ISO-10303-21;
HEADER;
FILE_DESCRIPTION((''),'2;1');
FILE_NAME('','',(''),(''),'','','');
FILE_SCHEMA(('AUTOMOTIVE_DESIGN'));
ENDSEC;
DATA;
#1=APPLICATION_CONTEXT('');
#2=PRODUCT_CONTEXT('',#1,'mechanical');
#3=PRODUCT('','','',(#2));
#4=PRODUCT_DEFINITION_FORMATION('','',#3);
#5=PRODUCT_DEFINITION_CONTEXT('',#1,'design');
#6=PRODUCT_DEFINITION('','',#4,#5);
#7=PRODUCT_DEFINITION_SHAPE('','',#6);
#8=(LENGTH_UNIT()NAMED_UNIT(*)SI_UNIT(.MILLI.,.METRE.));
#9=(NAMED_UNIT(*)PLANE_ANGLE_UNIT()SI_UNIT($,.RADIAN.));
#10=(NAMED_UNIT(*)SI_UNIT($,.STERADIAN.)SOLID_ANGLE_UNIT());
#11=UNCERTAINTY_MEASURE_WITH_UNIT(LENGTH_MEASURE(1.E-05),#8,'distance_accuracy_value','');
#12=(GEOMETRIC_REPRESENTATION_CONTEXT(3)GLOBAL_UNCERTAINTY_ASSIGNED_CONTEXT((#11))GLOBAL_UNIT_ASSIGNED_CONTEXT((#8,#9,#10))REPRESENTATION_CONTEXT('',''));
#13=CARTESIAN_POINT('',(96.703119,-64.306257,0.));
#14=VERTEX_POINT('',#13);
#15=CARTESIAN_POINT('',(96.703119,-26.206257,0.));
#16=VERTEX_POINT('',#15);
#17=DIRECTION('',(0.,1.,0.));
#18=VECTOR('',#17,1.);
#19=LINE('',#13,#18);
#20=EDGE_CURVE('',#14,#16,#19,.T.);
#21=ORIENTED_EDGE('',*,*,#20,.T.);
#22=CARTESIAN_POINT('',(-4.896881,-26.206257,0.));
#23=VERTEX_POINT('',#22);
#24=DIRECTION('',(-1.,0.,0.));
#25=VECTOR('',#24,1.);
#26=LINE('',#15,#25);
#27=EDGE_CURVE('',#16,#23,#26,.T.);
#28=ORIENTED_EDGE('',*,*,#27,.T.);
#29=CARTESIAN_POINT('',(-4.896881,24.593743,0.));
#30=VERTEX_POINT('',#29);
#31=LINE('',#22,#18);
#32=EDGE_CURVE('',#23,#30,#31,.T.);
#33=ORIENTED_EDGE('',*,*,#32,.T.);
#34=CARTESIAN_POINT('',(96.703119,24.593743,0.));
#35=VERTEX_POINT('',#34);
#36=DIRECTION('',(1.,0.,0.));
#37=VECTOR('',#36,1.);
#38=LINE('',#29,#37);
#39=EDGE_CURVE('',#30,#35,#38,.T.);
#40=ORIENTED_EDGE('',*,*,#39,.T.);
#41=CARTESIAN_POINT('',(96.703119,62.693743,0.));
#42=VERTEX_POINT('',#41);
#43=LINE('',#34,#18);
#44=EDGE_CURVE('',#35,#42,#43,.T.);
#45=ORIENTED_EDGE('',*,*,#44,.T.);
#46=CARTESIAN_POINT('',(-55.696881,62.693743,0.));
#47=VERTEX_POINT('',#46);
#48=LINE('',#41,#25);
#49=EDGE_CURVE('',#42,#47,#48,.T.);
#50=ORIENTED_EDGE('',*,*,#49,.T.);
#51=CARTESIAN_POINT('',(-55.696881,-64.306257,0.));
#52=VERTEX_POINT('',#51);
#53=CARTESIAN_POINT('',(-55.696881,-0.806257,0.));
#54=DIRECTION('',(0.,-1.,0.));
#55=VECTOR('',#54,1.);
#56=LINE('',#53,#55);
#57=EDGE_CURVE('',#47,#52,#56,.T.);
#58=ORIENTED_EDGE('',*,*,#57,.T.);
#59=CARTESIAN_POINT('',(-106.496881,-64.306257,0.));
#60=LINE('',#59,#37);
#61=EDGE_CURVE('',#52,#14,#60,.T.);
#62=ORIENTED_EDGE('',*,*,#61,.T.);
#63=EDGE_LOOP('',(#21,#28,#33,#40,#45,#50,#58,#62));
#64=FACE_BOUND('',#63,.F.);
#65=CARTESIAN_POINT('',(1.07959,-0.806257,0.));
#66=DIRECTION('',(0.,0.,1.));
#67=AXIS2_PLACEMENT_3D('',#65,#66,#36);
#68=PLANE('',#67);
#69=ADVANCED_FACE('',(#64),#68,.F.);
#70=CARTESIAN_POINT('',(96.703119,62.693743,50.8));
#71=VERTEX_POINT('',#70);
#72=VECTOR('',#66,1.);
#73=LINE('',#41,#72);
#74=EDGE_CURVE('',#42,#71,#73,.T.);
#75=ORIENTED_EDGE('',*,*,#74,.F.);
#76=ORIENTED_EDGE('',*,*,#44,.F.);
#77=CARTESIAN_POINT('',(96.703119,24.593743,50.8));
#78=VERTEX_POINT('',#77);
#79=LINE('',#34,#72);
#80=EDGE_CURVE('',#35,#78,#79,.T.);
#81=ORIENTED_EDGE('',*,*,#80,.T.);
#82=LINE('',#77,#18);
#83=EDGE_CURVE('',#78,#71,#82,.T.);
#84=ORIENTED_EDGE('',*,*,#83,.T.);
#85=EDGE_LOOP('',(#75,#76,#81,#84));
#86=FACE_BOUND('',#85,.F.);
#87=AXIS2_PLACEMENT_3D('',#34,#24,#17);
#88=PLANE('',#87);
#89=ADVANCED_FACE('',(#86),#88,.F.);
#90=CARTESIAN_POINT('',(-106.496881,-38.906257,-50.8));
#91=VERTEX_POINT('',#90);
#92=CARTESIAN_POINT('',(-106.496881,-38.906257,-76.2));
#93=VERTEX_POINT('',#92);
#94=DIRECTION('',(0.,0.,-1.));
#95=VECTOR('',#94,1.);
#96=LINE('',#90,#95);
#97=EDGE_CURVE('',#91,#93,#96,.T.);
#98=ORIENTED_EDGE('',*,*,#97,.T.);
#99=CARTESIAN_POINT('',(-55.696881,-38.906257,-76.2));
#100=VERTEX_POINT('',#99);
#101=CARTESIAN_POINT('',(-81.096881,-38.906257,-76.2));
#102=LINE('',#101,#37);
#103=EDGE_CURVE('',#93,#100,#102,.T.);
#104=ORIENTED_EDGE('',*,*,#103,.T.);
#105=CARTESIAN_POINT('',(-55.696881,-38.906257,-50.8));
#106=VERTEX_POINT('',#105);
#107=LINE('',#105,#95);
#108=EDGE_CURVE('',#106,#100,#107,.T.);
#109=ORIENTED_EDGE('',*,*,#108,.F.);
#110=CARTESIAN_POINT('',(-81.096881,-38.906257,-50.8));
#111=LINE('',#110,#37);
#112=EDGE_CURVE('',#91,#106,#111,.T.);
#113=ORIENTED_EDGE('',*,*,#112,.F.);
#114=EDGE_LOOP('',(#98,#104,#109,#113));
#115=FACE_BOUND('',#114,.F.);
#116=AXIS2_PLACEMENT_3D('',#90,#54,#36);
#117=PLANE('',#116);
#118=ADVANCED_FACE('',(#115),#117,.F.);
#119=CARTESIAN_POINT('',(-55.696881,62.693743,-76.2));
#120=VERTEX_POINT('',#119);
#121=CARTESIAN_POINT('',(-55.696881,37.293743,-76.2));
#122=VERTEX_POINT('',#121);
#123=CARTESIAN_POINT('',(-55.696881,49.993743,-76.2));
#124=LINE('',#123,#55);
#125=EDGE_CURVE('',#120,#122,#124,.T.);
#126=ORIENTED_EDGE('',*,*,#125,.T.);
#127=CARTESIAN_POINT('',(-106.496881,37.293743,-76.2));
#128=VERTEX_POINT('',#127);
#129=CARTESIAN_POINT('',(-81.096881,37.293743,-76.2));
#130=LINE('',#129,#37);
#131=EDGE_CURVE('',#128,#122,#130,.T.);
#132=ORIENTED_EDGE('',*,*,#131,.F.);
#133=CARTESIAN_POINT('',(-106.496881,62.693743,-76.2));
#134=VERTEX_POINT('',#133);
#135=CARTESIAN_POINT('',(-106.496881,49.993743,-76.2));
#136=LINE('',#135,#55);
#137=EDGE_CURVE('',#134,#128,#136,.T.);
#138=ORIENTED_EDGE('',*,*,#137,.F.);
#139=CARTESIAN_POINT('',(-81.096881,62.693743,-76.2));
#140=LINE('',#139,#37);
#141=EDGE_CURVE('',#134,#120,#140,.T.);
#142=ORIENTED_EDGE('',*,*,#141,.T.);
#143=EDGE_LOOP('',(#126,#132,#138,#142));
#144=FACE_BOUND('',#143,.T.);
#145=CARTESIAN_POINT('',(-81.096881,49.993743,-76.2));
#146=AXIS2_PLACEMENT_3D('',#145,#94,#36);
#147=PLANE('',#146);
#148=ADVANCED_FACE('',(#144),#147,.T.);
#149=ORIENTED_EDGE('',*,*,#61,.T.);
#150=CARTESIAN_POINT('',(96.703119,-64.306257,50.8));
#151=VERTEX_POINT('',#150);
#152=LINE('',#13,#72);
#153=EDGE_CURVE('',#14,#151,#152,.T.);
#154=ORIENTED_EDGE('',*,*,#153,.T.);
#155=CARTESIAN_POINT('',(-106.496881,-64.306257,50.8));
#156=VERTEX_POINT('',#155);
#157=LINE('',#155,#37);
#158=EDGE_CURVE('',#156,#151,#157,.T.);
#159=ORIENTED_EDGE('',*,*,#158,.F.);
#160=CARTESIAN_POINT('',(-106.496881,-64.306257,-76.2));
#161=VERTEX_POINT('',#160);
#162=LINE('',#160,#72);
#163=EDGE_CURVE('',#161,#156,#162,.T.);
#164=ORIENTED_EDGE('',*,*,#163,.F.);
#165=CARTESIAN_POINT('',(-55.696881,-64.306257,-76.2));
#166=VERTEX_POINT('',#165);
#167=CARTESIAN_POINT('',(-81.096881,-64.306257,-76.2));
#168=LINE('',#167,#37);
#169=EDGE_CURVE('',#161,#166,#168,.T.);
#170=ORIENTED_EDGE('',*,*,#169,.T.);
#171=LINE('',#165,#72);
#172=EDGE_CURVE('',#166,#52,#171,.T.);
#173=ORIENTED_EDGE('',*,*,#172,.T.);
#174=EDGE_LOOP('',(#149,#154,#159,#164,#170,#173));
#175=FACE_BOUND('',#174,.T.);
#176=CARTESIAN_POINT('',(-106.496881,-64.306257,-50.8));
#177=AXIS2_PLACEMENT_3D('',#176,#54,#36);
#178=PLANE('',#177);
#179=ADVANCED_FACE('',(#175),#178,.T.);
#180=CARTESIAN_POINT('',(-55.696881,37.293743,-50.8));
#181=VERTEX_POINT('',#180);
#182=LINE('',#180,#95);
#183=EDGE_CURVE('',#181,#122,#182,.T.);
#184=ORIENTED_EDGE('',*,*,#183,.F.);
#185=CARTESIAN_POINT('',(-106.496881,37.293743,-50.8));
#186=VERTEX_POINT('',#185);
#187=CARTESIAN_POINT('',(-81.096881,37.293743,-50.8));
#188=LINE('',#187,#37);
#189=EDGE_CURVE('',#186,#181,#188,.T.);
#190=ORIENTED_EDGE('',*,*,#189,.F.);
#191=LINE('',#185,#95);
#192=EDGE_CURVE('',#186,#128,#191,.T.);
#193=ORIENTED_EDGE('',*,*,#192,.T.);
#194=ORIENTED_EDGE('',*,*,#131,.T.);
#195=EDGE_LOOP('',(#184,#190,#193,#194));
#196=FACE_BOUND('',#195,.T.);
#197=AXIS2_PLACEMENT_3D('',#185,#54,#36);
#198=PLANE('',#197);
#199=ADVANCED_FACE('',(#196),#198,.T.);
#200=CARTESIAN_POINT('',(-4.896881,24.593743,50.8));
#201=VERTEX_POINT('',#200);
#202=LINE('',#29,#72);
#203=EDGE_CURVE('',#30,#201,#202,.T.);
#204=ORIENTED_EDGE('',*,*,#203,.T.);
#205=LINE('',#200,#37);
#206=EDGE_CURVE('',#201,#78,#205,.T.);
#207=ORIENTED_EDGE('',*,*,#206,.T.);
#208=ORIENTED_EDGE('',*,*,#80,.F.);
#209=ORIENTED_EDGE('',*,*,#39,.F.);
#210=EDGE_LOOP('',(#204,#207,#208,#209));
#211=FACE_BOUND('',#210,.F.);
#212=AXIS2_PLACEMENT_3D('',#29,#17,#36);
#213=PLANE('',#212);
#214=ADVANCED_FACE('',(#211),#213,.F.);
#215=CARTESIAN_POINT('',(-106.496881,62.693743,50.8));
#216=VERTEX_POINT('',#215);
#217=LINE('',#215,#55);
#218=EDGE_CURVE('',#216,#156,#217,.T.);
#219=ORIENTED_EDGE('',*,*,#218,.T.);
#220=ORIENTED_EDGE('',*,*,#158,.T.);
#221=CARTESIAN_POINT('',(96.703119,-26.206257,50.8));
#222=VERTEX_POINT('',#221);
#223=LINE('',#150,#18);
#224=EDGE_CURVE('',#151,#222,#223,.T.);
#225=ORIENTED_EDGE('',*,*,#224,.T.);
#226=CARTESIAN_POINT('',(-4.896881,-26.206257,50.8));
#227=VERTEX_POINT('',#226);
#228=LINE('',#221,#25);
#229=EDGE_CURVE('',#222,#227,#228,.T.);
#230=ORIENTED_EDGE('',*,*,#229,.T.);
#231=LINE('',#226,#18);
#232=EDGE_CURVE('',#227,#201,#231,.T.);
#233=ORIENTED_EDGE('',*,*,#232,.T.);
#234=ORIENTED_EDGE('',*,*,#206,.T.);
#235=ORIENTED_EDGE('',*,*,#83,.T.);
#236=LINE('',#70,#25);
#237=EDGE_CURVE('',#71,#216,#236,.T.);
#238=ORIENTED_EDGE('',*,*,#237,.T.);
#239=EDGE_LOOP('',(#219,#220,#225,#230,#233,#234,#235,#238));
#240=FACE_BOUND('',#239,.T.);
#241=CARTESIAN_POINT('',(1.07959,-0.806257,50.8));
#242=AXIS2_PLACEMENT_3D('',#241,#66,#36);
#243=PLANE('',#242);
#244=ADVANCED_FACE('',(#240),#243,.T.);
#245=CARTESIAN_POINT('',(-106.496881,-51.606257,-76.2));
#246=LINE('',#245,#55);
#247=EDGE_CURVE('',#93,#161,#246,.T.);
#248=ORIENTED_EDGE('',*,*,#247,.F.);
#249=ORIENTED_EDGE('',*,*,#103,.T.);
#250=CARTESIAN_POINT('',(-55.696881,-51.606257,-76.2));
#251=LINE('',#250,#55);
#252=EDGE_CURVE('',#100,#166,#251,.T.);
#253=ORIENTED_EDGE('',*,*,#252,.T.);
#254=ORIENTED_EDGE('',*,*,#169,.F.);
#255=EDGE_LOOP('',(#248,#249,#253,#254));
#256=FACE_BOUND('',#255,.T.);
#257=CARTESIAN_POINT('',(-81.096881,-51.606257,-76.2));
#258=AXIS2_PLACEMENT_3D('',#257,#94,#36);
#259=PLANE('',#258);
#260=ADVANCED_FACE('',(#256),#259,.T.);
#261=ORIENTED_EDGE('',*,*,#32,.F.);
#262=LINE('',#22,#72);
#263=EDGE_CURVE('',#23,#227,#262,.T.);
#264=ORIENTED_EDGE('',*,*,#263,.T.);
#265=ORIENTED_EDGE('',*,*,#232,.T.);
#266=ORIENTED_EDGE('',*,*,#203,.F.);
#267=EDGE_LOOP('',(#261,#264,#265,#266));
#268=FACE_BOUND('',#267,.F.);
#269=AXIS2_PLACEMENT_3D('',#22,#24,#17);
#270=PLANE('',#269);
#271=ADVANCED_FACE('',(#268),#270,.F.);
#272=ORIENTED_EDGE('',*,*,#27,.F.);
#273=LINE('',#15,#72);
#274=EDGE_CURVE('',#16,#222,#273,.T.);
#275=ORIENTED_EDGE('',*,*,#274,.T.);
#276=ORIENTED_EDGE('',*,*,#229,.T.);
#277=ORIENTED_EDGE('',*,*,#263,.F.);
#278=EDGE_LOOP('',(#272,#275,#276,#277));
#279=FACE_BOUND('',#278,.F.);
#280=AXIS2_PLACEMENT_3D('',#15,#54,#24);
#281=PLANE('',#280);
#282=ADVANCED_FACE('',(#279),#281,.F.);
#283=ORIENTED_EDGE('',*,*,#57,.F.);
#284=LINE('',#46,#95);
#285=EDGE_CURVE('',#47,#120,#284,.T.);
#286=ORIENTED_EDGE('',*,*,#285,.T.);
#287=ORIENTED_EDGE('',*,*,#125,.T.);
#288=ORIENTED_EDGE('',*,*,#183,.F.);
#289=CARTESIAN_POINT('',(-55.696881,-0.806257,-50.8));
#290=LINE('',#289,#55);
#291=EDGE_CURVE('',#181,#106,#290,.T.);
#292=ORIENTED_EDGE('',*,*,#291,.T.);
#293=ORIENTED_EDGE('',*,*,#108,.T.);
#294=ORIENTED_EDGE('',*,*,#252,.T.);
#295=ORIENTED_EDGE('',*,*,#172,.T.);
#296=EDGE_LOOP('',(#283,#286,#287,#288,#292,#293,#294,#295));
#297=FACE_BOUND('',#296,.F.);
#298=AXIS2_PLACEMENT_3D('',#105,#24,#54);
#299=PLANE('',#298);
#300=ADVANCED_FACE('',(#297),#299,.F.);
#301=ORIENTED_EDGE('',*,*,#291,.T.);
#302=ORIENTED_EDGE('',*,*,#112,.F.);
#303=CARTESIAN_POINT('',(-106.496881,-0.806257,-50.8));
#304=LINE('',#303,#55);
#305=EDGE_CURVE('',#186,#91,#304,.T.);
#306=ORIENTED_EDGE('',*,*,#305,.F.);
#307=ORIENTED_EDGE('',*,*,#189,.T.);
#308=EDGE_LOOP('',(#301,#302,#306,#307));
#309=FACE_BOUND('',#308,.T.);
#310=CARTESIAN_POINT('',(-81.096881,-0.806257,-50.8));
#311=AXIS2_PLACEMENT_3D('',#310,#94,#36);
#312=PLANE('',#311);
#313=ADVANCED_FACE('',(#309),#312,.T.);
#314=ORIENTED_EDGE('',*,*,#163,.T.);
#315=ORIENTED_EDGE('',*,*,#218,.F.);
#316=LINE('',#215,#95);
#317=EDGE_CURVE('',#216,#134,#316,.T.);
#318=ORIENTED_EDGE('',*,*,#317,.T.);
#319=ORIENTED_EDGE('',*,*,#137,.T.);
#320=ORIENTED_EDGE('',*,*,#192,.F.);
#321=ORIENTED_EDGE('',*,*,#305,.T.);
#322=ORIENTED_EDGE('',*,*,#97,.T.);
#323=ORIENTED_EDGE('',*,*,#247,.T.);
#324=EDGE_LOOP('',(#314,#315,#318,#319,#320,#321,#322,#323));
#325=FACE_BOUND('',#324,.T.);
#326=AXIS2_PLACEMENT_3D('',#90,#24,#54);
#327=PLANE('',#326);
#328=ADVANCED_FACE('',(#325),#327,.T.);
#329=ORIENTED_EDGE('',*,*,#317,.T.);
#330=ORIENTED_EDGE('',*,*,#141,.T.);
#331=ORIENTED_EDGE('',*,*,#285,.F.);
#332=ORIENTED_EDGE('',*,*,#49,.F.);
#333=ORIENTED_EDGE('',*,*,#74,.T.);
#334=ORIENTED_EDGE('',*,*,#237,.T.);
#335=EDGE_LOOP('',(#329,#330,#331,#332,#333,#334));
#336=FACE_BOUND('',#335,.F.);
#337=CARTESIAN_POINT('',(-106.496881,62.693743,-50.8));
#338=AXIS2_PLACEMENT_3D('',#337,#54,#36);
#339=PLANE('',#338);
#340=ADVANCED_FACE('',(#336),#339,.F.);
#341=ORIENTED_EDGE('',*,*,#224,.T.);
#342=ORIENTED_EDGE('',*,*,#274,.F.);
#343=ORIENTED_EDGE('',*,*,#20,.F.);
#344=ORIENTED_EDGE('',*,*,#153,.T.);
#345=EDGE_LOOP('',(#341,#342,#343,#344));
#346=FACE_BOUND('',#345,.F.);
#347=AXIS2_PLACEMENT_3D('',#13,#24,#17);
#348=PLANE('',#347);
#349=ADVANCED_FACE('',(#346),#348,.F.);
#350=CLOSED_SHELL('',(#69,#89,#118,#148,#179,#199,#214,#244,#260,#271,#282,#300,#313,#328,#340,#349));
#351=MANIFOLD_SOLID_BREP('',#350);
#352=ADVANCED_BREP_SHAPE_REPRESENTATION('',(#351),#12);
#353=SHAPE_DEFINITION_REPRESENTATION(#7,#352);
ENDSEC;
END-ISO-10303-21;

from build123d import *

# Parameters (mm, degrees)
F1_DEPTH = 50.8
F2_W     = 50.8
F2_H     = 127
F3_DEPTH = 50.8
F4_W     = 50.8
F4_H     = 25.4
F5_DEPTH = 25.4
F6_W     = 50.8
F6_H     = 25.4
F7_DEPTH = 25.4


with BuildPart() as f1:
    # F0 (on Top) → F1 (new body)
    with BuildSketch(Plane.XY):
        Polygon((96.703119, 62.693743), (-106.496881, 62.693743), (-106.496881, -64.306257), (96.703119, -64.306257), (96.703119, -26.206257), (-4.896881, -26.206257), (-4.896881, 24.593743), (96.703119, 24.593743), align=None)
    extrude(amount=F1_DEPTH)

    # F2 (on face) → F3 (join)
    with BuildSketch(Plane(origin=(0, 0, 0), x_dir=(1, 0, 0), z_dir=(0, 0, -1))):
        with Locations((-81.096881, 0.806257)):
            Rectangle(F2_W, F2_H)
    extrude(amount=F3_DEPTH)

    # F4 (on face) → F5 (join)
    with BuildSketch(Plane(origin=(0, 0, -50.8), x_dir=(1, 0, 0), z_dir=(0, 0, -1))):
        with Locations((-81.096881, -49.993743)):
            Rectangle(F4_W, F4_H)
    extrude(amount=F5_DEPTH)

    # F6 (on face) → F7 (join)
    with BuildSketch(Plane(origin=(0, 0, -50.8), x_dir=(1, 0, 0), z_dir=(0, 0, -1))):
        with Locations((-81.096881, 51.606257)):
            Rectangle(F6_W, F6_H)
    extrude(amount=F7_DEPTH)


solid = f1.part
